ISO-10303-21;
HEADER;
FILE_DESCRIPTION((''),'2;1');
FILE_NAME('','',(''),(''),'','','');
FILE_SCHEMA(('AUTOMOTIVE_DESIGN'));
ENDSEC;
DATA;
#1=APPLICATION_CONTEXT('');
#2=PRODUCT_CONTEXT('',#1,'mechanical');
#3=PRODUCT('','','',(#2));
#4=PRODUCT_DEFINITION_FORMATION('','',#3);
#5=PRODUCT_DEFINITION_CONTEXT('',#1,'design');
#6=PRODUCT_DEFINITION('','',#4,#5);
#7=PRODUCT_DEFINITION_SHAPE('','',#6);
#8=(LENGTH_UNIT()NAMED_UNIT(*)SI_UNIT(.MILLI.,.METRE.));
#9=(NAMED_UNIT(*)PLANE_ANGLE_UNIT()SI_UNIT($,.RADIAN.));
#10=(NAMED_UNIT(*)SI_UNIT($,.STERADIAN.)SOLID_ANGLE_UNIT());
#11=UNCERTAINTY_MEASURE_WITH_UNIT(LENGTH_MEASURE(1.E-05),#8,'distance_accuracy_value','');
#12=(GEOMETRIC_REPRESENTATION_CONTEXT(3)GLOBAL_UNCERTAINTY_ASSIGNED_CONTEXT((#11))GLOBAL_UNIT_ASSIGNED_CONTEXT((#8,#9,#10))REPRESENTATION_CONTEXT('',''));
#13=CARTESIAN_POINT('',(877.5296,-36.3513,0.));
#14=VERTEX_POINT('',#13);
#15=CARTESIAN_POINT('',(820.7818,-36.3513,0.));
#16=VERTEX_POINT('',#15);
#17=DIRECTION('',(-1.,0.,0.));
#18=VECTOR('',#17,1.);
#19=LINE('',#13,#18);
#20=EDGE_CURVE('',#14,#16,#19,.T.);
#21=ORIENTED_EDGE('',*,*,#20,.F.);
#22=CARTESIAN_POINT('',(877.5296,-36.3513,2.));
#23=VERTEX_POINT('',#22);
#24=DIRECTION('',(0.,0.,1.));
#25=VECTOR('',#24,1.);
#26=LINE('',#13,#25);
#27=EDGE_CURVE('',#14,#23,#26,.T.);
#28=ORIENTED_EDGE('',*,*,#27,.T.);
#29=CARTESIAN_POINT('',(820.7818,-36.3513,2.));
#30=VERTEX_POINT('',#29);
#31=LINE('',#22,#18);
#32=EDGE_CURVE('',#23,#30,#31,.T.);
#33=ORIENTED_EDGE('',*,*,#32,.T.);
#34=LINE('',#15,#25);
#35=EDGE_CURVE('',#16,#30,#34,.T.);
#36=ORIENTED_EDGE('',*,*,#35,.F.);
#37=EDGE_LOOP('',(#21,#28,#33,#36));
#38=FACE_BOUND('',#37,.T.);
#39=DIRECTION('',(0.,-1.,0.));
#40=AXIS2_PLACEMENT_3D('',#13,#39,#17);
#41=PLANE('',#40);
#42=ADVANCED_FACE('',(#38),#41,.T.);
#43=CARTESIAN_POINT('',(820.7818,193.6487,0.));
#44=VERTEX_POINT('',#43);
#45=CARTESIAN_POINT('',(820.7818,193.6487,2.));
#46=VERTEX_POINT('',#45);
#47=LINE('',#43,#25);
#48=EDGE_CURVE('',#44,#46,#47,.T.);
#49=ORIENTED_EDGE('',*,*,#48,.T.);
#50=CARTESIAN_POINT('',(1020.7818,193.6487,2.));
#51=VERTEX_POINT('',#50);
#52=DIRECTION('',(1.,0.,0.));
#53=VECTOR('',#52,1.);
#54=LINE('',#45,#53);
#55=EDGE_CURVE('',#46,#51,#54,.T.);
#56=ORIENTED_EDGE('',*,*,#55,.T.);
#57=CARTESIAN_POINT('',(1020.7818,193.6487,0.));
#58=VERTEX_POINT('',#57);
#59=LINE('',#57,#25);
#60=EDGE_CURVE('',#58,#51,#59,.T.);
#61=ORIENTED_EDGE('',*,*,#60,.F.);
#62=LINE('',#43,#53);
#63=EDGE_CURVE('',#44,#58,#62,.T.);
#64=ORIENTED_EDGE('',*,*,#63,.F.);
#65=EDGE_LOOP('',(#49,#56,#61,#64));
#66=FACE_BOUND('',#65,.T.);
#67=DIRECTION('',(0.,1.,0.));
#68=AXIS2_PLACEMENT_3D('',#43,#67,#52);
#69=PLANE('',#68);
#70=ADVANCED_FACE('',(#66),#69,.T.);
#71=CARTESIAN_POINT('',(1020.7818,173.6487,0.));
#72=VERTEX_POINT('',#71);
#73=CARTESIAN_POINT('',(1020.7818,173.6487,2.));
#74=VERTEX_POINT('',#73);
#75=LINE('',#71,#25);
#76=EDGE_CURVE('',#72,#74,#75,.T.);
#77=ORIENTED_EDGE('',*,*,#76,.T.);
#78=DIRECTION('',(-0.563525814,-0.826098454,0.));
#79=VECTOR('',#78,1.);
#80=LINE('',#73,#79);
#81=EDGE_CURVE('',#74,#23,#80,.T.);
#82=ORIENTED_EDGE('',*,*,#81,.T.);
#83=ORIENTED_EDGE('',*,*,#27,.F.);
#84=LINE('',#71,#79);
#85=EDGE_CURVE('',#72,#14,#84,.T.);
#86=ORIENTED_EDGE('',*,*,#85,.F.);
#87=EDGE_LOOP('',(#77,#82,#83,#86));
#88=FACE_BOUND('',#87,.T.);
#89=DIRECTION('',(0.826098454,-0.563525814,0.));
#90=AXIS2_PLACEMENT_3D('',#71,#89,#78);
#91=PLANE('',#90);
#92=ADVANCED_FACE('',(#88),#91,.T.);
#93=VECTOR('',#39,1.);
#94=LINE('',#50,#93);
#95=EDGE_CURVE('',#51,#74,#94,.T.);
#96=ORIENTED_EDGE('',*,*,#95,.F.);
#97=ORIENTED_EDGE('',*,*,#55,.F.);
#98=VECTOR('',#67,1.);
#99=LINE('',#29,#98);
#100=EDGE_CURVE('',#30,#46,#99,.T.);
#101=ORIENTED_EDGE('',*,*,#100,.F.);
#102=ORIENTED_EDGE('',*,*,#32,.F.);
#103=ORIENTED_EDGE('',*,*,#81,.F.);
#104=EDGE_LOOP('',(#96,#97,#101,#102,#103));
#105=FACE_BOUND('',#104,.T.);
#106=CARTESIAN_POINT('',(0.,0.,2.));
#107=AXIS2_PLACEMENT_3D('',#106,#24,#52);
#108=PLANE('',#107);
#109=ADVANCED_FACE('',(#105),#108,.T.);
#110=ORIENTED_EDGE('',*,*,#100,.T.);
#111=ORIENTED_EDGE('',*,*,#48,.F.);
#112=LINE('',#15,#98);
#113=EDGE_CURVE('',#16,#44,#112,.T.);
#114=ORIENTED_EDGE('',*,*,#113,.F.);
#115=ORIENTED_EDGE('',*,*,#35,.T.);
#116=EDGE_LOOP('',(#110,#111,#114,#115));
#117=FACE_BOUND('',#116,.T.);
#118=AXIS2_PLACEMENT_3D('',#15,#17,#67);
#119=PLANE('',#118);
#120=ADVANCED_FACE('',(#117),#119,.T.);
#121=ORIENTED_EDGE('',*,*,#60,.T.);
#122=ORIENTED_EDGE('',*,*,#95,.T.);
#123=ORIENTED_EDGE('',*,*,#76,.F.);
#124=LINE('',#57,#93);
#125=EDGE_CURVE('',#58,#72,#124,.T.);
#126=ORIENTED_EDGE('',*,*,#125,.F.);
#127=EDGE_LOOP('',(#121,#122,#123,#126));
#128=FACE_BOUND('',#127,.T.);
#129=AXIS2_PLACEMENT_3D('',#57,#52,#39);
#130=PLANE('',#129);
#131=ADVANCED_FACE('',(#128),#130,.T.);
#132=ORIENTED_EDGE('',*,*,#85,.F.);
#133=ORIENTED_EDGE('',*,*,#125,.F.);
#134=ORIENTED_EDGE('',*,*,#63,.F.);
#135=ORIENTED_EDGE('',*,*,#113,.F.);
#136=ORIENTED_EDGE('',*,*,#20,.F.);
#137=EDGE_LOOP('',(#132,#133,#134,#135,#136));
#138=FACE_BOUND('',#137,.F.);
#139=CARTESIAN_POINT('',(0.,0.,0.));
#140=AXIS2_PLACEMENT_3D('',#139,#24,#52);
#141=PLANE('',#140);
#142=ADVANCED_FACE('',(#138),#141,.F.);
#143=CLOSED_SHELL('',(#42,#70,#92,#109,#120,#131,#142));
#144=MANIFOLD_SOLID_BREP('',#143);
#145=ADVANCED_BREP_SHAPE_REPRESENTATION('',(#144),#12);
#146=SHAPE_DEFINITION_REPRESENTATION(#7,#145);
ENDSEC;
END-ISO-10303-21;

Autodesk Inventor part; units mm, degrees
ref_plane "YZ Plane" through (0, 0, 0) normal (1, 0, 0) x (0, 1, 0)
ref_plane "XZ Plane" through (0, 0, 0) normal (0, 1, 0) x (-1, 0, 0)
ref_plane "XY Plane" through (0, 0, 0) normal (0, 0, 1) x (1, 0, 0)
ref_plane "Work Plane1" through (0, 0, 0) normal (0, 0, 1) x (1, 0, 0)
sketch "Sketch1" plane through (0, 0, 0) normal (0, 0, 1) x (1, 0, 0)
  line L0 (820.7818, 193.6487) -> (1020.7818, 193.6487)
  line L1 (1020.7818, 193.6487) -> (1020.7818, 173.6487)
  line L2 (1020.7818, 173.6487) -> (877.5296, -36.3513)
  line L3 (877.5296, -36.3513) -> (820.7818, -36.3513)
  line L4 (820.7818, -36.3513) -> (820.7818, 193.6487)
  point P0 (0, 0)
  dimension "d0" = 55.7
  dimension "d2" = 200
  dimension "d3" = 20
  dimension "d4" = 230
extrude "Plate1" add sketch "Sketch1" along normal blind 2
equation "\"d1\" = Thickness"
equation "\"BendRadius\" = Thickness"
equation "\"BendReliefWidth\" = Thickness"
equation "\"BendReliefDepth\" = 0.5 * Thickness"
equation "\"CornerReliefSize\" = 4 * Thickness"
equation "\"MinimumRemnant\" = 2 * Thickness"
equation "\"TransitionRadius\" = BendRadius"
equation "\"JacobiRadiusSize\" = BendRadius"
equation "\"GapSize\" = Thickness"
equation "\"Thickness\" = 2"
properties part number "svejselære 2 del 2"
